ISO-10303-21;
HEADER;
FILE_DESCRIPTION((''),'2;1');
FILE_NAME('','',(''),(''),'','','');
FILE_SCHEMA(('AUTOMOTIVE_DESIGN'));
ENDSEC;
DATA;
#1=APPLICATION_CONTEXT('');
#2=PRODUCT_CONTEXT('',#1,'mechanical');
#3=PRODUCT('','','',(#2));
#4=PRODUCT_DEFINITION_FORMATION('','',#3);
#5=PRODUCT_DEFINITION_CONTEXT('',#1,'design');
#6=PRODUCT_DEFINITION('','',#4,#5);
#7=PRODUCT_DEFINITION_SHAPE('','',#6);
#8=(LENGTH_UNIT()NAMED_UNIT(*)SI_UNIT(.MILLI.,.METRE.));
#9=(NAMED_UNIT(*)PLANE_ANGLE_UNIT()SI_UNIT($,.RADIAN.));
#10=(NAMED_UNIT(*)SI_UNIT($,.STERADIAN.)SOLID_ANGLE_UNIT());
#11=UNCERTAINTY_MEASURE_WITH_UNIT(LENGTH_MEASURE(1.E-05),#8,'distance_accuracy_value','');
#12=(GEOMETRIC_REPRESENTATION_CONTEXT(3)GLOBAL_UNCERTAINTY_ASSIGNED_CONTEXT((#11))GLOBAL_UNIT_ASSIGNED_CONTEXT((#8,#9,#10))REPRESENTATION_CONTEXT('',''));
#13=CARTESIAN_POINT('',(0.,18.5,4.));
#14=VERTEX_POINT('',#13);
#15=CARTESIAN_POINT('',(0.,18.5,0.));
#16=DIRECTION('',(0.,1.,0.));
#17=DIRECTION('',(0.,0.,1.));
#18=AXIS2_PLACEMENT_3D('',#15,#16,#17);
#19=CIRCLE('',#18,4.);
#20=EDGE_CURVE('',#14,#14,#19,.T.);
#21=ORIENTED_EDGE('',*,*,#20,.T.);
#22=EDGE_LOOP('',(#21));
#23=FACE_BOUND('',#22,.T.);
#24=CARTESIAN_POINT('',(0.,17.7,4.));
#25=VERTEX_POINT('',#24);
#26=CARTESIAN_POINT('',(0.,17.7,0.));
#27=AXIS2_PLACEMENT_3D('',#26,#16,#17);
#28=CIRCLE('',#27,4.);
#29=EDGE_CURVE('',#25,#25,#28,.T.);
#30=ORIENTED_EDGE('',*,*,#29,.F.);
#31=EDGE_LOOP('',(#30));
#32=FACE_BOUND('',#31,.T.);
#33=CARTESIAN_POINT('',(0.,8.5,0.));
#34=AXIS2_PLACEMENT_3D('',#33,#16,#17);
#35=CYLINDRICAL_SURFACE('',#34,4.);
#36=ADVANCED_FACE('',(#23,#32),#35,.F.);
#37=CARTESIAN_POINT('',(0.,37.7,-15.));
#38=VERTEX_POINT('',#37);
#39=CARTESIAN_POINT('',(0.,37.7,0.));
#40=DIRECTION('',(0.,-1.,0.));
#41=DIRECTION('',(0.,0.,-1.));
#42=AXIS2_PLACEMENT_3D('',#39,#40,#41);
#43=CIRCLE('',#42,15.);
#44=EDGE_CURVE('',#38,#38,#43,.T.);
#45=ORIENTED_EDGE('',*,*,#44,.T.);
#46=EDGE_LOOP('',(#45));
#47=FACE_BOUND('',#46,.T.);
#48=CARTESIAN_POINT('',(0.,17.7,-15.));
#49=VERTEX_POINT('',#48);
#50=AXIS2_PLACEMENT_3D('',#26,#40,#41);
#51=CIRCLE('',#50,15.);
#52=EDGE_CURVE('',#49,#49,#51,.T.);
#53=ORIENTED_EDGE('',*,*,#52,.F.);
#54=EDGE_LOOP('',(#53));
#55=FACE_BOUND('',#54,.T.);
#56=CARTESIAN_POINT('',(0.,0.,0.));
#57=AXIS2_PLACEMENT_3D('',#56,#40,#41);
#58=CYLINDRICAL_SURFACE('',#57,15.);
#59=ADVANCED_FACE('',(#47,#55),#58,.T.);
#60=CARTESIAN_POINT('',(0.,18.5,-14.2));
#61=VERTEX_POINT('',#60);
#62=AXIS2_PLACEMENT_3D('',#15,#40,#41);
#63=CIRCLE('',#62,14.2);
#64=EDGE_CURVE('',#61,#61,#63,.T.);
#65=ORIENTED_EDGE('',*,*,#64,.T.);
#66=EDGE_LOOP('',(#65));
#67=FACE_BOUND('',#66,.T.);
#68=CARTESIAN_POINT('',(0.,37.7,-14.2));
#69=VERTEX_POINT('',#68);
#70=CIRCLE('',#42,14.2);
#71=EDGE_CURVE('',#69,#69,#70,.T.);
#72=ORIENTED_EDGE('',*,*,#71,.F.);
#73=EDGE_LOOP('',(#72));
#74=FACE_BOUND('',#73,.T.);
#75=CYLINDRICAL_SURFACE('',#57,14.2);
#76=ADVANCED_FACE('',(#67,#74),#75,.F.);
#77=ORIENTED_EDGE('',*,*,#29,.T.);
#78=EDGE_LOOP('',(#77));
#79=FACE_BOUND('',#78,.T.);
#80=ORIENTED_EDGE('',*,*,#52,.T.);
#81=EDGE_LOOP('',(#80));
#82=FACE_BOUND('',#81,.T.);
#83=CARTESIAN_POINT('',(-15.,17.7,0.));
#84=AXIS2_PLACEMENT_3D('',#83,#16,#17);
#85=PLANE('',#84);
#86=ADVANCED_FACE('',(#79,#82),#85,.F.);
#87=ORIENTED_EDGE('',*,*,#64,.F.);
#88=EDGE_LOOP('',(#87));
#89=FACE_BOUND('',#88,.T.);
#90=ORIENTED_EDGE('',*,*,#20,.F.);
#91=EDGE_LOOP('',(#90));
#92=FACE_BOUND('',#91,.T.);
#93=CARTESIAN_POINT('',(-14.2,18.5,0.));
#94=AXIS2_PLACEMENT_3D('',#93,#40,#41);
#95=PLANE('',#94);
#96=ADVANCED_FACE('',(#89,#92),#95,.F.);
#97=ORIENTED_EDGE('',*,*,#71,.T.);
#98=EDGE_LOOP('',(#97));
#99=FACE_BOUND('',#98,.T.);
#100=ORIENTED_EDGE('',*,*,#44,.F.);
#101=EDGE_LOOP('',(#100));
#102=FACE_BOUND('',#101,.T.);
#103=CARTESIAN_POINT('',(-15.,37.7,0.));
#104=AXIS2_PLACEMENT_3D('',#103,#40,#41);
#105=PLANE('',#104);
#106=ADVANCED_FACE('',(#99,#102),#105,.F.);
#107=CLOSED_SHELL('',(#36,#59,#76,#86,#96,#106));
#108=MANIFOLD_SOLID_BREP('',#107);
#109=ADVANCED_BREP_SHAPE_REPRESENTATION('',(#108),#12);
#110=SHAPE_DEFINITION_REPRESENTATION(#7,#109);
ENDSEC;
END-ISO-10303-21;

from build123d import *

# Parameters (mm, degrees)
SKETCH2_R          = 4
CUT_EXTRUDE1_DEPTH = 10


with BuildPart() as part:
    # Sketch1 → Revolve1 (revolve)
    with BuildSketch(Plane.XY):
        Polygon((-15, 17.7), (-15, 37.7), (-14.2, 37.7), (-14.2, 18.5), (0, 18.5), (0, 17.7), align=None)
    revolve(axis=Axis((0, 0, 0), (0, 1, 0)))

    # Sketch2 → Cut-Extrude1 (cut)
    with BuildSketch(Plane(origin=(0, 18.5, 0), x_dir=(1, 0, 0), z_dir=(0, 1, 0))):
        Circle(SKETCH2_R)
    extrude(amount=-CUT_EXTRUDE1_DEPTH, mode=Mode.SUBTRACT)


solid = part.part
